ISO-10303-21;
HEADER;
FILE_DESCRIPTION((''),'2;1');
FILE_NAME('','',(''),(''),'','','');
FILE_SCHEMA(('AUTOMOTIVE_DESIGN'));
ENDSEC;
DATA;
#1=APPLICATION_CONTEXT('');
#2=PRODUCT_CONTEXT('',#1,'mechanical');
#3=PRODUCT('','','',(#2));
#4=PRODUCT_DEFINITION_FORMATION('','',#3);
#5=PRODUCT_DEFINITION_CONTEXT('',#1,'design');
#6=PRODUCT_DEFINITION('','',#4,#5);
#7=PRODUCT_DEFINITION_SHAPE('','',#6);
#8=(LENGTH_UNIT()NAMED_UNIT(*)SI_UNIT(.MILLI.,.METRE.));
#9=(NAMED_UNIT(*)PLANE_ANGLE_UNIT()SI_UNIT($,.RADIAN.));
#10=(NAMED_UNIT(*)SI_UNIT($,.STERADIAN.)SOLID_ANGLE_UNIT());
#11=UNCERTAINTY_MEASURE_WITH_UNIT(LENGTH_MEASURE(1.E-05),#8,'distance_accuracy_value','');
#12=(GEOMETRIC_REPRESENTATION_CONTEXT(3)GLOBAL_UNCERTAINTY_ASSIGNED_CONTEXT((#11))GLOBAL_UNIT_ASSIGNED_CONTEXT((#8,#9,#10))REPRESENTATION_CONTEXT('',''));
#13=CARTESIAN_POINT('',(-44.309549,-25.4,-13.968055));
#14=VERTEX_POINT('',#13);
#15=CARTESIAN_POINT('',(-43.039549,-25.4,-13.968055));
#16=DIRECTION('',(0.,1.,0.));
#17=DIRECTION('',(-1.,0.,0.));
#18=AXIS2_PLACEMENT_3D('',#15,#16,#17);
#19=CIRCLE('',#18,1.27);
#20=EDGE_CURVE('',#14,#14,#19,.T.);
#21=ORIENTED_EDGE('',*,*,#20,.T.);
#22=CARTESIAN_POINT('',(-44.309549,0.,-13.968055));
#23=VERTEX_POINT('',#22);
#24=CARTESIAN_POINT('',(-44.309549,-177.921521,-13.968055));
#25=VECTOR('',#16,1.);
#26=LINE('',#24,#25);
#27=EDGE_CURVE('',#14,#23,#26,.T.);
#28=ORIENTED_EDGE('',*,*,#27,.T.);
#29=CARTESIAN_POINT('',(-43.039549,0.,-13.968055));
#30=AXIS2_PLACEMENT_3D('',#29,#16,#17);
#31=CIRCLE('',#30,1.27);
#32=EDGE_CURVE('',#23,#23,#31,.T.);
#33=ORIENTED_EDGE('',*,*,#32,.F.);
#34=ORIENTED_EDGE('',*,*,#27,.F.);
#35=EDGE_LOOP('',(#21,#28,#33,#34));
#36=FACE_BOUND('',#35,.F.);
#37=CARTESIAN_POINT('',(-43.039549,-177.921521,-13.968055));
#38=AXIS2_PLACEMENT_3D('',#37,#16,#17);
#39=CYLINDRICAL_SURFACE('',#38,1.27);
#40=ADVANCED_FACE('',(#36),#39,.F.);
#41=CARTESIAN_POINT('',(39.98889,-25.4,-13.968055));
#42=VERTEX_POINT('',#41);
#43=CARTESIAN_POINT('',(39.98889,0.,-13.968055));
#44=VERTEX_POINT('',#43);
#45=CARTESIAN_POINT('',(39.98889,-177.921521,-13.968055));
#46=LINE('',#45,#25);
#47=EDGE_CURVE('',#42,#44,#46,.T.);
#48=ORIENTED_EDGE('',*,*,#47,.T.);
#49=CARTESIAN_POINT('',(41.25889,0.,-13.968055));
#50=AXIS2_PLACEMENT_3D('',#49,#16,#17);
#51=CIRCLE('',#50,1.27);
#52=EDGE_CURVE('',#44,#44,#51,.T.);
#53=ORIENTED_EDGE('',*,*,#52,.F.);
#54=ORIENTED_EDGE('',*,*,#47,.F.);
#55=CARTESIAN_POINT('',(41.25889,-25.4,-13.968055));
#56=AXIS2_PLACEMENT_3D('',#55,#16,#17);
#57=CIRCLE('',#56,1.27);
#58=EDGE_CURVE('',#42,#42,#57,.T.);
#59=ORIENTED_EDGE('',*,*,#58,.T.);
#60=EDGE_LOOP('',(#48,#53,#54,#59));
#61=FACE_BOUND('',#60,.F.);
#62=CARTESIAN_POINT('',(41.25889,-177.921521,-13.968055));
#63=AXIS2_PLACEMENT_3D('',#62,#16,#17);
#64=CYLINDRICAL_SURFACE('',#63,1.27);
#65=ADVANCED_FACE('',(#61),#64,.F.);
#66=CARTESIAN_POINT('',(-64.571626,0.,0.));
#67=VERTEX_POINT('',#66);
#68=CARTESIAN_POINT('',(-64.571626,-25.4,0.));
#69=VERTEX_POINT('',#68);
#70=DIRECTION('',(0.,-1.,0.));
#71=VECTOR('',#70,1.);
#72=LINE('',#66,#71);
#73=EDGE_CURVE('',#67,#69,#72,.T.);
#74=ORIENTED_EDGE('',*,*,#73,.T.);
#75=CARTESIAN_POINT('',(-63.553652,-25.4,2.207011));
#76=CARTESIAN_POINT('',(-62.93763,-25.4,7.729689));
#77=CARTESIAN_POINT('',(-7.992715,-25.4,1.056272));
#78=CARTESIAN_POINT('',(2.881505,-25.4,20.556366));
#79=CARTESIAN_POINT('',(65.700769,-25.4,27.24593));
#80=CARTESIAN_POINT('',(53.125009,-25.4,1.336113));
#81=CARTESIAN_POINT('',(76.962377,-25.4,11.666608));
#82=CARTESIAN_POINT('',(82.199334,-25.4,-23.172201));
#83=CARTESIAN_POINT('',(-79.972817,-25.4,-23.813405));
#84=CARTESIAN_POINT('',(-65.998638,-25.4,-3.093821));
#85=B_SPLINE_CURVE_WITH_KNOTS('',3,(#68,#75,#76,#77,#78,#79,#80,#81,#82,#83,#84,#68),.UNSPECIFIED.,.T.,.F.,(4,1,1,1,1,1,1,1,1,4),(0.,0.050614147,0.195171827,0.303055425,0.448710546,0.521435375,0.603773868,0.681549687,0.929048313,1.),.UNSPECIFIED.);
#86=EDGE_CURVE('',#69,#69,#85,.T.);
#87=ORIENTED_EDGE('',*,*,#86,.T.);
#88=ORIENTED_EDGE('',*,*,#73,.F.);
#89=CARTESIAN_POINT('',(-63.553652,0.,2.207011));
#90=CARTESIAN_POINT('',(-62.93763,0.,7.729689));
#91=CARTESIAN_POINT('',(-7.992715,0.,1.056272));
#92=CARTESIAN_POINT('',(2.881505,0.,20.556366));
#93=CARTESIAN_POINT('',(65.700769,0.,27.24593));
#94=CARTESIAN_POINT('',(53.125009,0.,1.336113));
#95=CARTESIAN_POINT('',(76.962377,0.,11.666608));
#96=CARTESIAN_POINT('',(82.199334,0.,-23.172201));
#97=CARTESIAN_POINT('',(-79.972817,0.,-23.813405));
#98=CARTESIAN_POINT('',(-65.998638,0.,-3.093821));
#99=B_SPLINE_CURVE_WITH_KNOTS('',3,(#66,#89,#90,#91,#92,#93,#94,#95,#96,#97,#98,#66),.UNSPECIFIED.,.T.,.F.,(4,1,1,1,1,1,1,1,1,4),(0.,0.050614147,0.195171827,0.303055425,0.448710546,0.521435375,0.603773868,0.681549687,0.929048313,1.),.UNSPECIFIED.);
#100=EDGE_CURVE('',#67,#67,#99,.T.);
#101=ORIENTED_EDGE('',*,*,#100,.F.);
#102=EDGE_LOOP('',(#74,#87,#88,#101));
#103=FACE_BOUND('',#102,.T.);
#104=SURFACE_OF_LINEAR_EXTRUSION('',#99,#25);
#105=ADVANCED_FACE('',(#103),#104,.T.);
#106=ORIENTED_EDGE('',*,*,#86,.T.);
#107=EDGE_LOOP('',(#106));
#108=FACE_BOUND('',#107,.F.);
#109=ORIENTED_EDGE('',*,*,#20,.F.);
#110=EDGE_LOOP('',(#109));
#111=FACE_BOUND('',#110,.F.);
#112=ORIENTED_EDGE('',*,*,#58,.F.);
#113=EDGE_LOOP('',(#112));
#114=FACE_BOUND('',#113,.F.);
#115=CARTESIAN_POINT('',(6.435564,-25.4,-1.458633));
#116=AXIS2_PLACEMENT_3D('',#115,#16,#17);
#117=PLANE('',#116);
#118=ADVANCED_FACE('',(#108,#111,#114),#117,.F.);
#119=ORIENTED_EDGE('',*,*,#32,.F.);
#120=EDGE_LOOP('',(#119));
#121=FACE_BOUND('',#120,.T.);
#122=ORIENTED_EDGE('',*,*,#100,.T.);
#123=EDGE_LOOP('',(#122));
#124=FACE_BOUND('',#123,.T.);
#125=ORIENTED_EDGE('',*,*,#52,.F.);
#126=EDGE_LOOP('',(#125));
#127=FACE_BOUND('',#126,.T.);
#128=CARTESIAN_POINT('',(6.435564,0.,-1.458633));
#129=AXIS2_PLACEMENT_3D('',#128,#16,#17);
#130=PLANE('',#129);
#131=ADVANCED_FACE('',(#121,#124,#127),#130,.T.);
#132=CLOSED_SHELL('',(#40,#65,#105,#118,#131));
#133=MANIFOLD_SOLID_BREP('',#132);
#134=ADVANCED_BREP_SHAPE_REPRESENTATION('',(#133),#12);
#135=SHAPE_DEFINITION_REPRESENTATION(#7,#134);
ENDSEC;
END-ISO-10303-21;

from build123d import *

# Parameters (mm, degrees)
F1_DEPTH = 25.4
F3_D     = 2.54


with BuildPart() as f1:
    # F0 (on Front) → F1 (new body)
    with BuildSketch(Plane.XZ):
        with BuildLine():
            add(Edge.make_bspline(
                [(-64.5716264844, 0), (-63.5536522439, 2.2070107084), (-62.9376299363, 7.729688994), (-7.9927146863, 1.0562722195), (2.8815045906, 20.5563663668), (65.700769367, 27.2459302046), (53.1250086988, 1.3361125238), (76.9623770206, 11.6666075555), (82.1993344908, -23.1722005177), (-79.9728169141, -23.8134053606), (-65.9986383657, -3.093821413), (-64.5716264844, 0)],
                knots=[0, 0, 0, 0, 0.0506141472, 0.1951718269, 0.3030554249, 0.4487105462, 0.5214353754, 0.6037738684, 0.6815496874, 0.9290483133, 1, 1, 1, 1], degree=3))
        make_face()
    extrude(amount=F1_DEPTH)

    # F3 (through all)
    with Locations(Plane.XZ.offset(25.4)):
        with Locations((-43.0395491421, -13.9680551365), (41.2588901818, -13.9680551365)):
            Hole(F3_D / 2)


solid = f1.part
